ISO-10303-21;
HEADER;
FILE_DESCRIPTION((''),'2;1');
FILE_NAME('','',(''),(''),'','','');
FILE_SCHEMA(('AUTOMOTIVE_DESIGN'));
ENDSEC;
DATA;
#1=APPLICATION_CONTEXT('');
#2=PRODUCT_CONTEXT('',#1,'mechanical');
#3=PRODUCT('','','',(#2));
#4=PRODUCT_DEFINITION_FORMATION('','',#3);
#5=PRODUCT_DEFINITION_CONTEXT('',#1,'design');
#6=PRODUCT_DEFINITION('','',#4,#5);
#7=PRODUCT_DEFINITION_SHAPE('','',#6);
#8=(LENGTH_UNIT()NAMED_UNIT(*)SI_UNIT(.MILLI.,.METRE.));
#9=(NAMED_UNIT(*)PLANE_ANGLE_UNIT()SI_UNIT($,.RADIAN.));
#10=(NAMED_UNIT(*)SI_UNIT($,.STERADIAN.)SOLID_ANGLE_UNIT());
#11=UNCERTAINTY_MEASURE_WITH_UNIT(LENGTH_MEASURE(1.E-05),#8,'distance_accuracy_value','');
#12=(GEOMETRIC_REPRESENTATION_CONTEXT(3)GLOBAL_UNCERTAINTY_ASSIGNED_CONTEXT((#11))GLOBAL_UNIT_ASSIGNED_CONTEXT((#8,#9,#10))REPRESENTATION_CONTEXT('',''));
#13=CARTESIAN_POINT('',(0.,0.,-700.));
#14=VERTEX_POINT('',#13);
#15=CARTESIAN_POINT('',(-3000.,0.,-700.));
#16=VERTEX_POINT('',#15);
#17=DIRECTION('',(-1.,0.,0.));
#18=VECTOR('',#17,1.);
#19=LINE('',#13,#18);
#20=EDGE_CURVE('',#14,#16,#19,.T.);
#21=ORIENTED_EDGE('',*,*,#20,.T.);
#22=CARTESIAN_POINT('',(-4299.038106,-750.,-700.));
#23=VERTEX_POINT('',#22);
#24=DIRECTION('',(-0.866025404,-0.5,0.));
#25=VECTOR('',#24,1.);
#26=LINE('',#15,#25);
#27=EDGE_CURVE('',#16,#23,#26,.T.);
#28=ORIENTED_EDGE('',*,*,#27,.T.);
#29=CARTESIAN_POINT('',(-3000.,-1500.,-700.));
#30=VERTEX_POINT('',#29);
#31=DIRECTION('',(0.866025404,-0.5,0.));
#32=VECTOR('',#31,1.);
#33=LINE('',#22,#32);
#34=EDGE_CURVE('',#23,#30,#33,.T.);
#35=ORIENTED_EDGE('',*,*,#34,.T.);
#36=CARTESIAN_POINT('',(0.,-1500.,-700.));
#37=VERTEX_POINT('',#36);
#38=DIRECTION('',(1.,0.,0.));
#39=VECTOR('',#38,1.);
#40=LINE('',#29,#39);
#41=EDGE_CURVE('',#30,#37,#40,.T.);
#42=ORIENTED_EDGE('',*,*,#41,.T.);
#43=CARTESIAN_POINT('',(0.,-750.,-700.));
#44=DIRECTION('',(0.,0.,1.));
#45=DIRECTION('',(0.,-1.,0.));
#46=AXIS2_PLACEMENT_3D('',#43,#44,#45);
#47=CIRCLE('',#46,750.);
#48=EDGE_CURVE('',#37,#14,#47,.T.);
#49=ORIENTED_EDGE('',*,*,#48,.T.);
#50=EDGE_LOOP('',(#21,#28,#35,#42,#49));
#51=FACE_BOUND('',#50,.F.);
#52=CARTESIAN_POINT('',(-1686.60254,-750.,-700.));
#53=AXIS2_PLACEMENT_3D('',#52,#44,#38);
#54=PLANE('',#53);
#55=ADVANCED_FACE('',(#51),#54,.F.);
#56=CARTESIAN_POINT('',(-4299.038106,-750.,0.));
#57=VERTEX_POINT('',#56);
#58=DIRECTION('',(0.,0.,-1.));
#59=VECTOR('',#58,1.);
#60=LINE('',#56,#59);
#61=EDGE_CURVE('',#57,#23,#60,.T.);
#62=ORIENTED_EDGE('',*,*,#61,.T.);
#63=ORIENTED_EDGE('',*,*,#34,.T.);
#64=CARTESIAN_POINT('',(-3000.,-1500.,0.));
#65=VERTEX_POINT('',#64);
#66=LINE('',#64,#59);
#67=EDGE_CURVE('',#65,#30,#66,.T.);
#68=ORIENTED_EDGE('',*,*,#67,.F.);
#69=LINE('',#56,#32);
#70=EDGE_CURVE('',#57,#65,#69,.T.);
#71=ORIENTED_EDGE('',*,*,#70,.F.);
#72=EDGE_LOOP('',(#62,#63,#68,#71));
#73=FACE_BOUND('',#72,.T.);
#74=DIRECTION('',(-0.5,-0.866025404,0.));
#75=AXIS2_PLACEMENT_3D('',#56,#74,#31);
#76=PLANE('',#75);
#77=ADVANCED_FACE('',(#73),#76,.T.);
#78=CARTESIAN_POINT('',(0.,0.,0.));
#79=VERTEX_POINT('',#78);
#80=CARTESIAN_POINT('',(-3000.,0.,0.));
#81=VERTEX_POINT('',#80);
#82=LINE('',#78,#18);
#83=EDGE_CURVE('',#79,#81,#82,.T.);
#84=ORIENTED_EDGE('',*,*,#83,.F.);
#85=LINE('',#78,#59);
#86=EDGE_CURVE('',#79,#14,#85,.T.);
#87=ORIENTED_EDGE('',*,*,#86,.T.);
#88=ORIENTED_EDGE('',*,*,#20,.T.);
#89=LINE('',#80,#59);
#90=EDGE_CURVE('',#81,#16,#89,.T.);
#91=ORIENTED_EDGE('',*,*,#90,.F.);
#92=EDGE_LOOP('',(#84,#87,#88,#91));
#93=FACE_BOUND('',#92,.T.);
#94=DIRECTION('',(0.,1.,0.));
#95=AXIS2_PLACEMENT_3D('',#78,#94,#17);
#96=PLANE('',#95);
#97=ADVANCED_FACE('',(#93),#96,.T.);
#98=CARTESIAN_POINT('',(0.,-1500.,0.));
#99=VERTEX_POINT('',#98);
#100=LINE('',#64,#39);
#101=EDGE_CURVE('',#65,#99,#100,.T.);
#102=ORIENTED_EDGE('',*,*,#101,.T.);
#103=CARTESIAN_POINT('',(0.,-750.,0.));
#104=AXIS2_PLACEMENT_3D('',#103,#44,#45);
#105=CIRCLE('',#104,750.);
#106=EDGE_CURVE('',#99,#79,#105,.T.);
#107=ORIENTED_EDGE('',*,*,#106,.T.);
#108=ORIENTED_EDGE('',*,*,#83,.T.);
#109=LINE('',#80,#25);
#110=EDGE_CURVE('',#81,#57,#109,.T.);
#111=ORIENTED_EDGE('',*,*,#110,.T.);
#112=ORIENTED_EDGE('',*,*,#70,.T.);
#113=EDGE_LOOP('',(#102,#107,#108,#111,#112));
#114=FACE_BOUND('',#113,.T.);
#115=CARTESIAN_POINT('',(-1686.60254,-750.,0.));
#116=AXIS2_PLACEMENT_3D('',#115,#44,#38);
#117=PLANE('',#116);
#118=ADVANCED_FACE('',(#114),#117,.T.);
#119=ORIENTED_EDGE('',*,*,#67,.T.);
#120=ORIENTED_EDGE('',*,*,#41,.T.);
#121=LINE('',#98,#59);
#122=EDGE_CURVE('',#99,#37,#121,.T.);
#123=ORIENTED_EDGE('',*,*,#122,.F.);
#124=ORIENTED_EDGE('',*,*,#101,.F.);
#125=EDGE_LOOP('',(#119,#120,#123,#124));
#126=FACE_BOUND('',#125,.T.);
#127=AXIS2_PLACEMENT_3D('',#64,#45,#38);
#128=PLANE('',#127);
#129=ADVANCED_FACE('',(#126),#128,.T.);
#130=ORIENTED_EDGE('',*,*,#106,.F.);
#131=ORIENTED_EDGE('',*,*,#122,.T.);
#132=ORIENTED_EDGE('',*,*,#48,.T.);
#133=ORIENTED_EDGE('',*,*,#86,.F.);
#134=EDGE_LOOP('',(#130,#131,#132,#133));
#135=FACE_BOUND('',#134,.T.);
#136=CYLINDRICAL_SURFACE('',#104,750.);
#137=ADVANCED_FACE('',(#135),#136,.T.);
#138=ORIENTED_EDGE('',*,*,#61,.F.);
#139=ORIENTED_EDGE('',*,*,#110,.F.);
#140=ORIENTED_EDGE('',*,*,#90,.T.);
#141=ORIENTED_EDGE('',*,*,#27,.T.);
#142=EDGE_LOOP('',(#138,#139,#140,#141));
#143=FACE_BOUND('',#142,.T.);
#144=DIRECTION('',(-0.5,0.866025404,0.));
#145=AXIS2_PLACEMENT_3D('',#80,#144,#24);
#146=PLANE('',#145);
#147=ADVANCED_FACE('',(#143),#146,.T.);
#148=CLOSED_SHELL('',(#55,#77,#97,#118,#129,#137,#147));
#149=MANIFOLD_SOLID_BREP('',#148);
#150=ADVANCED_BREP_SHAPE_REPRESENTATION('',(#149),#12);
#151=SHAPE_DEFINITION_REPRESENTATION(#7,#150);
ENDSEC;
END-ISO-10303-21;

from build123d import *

# Parameters (mm, degrees)
F1_DEPTH = 1200
F2_DEPTH = 500


with BuildPart() as f1:
    # F0 (on Top) → F1 (new body)
    with BuildSketch(Plane.XY):
        with BuildLine():
            ThreePointArc((0, -1500), (750, -750), (0, 0))
            Line((0, 0), (-3000, 0))
            Line((-3000, 0), (-4299.0381056767, -750))
            Line((-4299.0381056767, -750), (-3000, -1500))
            Line((-3000, -1500), (0, -1500))
        make_face()
    extrude(amount=-F1_DEPTH)

    # F2 (cut): a face of the model
    f2_faces = [f1.faces().sort_by_distance(p)[0] for p in [
        (-1543.5183910137, -750, -1200),
    ]]
    extrude(f2_faces, amount=-F2_DEPTH, mode=Mode.SUBTRACT)


solid = f1.part
